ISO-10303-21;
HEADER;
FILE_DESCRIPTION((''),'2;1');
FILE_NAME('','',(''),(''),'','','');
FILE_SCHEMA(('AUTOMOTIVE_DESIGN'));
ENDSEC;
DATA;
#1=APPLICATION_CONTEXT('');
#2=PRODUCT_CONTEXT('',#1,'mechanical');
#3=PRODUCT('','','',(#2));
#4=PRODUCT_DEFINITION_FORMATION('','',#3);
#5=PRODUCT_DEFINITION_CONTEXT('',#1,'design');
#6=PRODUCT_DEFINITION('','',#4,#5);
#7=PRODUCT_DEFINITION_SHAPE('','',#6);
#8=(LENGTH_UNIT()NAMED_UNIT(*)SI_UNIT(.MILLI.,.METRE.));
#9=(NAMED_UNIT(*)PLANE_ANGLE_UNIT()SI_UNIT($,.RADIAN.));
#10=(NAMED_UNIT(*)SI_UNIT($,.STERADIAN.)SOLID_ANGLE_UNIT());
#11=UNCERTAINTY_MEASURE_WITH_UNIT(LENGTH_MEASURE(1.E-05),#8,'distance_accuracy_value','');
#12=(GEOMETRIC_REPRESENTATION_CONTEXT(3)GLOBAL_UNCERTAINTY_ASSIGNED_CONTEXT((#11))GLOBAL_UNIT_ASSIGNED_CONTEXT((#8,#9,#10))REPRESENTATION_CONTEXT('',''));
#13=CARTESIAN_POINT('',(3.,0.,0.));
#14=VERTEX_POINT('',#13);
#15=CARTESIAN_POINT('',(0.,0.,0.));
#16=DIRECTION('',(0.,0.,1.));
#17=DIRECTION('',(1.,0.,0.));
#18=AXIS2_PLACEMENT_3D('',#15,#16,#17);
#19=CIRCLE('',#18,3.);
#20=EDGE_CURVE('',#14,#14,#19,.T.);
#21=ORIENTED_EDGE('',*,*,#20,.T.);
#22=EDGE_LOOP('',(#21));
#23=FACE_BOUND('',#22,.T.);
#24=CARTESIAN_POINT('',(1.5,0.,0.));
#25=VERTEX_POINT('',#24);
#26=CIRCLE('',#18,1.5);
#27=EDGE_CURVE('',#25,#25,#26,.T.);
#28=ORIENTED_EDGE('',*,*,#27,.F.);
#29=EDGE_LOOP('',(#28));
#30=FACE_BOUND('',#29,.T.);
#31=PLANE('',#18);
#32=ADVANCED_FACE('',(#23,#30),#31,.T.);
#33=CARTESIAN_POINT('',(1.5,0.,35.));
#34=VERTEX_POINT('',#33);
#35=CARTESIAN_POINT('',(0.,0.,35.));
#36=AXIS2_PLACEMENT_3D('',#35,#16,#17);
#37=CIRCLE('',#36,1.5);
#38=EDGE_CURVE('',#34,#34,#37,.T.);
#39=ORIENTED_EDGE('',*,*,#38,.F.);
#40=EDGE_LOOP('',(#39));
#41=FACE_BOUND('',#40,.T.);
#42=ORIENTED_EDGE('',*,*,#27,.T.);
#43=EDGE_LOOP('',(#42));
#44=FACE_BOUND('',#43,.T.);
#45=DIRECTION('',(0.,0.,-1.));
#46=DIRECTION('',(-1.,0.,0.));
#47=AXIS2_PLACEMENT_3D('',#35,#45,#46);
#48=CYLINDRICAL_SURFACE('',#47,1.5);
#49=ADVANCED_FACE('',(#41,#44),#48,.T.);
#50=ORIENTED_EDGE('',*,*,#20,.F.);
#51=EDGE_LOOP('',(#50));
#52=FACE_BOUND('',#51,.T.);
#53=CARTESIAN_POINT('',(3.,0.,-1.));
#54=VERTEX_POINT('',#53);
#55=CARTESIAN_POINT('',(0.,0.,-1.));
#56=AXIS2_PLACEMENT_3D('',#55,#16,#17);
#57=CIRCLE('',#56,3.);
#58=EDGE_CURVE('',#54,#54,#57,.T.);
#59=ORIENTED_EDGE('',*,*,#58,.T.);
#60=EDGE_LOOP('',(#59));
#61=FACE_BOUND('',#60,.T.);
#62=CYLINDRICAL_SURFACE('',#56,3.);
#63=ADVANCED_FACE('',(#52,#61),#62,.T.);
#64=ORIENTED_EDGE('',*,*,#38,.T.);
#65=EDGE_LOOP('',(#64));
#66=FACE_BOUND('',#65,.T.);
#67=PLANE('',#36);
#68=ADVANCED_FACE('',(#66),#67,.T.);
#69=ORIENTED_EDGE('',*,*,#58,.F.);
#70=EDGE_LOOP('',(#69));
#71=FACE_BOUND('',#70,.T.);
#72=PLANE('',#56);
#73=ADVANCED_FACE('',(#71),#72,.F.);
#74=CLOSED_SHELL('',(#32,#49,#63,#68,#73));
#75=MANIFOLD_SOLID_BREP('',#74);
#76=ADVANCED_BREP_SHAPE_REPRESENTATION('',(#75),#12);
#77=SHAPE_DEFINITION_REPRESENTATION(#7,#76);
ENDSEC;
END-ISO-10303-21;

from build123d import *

# Parameters (mm, degrees)
ESQUISSE1_R        = 1.5
BOSS_EXTRU_1_DEPTH = 35
ESQUISSE1_3_R      = 3
BOSS_EXTRU_2_DEPTH = 1


with BuildPart() as part:
    # Esquisse1 → Boss.-Extru.1 (new body)
    with BuildSketch(Plane.XY):
        Circle(ESQUISSE1_R)
    extrude(amount=BOSS_EXTRU_1_DEPTH)

    # Esquisse1<3> → Boss.-Extru.2 (add)
    with BuildSketch(Plane.XY):
        Circle(ESQUISSE1_3_R)
    extrude(amount=-BOSS_EXTRU_2_DEPTH)


solid = part.part
